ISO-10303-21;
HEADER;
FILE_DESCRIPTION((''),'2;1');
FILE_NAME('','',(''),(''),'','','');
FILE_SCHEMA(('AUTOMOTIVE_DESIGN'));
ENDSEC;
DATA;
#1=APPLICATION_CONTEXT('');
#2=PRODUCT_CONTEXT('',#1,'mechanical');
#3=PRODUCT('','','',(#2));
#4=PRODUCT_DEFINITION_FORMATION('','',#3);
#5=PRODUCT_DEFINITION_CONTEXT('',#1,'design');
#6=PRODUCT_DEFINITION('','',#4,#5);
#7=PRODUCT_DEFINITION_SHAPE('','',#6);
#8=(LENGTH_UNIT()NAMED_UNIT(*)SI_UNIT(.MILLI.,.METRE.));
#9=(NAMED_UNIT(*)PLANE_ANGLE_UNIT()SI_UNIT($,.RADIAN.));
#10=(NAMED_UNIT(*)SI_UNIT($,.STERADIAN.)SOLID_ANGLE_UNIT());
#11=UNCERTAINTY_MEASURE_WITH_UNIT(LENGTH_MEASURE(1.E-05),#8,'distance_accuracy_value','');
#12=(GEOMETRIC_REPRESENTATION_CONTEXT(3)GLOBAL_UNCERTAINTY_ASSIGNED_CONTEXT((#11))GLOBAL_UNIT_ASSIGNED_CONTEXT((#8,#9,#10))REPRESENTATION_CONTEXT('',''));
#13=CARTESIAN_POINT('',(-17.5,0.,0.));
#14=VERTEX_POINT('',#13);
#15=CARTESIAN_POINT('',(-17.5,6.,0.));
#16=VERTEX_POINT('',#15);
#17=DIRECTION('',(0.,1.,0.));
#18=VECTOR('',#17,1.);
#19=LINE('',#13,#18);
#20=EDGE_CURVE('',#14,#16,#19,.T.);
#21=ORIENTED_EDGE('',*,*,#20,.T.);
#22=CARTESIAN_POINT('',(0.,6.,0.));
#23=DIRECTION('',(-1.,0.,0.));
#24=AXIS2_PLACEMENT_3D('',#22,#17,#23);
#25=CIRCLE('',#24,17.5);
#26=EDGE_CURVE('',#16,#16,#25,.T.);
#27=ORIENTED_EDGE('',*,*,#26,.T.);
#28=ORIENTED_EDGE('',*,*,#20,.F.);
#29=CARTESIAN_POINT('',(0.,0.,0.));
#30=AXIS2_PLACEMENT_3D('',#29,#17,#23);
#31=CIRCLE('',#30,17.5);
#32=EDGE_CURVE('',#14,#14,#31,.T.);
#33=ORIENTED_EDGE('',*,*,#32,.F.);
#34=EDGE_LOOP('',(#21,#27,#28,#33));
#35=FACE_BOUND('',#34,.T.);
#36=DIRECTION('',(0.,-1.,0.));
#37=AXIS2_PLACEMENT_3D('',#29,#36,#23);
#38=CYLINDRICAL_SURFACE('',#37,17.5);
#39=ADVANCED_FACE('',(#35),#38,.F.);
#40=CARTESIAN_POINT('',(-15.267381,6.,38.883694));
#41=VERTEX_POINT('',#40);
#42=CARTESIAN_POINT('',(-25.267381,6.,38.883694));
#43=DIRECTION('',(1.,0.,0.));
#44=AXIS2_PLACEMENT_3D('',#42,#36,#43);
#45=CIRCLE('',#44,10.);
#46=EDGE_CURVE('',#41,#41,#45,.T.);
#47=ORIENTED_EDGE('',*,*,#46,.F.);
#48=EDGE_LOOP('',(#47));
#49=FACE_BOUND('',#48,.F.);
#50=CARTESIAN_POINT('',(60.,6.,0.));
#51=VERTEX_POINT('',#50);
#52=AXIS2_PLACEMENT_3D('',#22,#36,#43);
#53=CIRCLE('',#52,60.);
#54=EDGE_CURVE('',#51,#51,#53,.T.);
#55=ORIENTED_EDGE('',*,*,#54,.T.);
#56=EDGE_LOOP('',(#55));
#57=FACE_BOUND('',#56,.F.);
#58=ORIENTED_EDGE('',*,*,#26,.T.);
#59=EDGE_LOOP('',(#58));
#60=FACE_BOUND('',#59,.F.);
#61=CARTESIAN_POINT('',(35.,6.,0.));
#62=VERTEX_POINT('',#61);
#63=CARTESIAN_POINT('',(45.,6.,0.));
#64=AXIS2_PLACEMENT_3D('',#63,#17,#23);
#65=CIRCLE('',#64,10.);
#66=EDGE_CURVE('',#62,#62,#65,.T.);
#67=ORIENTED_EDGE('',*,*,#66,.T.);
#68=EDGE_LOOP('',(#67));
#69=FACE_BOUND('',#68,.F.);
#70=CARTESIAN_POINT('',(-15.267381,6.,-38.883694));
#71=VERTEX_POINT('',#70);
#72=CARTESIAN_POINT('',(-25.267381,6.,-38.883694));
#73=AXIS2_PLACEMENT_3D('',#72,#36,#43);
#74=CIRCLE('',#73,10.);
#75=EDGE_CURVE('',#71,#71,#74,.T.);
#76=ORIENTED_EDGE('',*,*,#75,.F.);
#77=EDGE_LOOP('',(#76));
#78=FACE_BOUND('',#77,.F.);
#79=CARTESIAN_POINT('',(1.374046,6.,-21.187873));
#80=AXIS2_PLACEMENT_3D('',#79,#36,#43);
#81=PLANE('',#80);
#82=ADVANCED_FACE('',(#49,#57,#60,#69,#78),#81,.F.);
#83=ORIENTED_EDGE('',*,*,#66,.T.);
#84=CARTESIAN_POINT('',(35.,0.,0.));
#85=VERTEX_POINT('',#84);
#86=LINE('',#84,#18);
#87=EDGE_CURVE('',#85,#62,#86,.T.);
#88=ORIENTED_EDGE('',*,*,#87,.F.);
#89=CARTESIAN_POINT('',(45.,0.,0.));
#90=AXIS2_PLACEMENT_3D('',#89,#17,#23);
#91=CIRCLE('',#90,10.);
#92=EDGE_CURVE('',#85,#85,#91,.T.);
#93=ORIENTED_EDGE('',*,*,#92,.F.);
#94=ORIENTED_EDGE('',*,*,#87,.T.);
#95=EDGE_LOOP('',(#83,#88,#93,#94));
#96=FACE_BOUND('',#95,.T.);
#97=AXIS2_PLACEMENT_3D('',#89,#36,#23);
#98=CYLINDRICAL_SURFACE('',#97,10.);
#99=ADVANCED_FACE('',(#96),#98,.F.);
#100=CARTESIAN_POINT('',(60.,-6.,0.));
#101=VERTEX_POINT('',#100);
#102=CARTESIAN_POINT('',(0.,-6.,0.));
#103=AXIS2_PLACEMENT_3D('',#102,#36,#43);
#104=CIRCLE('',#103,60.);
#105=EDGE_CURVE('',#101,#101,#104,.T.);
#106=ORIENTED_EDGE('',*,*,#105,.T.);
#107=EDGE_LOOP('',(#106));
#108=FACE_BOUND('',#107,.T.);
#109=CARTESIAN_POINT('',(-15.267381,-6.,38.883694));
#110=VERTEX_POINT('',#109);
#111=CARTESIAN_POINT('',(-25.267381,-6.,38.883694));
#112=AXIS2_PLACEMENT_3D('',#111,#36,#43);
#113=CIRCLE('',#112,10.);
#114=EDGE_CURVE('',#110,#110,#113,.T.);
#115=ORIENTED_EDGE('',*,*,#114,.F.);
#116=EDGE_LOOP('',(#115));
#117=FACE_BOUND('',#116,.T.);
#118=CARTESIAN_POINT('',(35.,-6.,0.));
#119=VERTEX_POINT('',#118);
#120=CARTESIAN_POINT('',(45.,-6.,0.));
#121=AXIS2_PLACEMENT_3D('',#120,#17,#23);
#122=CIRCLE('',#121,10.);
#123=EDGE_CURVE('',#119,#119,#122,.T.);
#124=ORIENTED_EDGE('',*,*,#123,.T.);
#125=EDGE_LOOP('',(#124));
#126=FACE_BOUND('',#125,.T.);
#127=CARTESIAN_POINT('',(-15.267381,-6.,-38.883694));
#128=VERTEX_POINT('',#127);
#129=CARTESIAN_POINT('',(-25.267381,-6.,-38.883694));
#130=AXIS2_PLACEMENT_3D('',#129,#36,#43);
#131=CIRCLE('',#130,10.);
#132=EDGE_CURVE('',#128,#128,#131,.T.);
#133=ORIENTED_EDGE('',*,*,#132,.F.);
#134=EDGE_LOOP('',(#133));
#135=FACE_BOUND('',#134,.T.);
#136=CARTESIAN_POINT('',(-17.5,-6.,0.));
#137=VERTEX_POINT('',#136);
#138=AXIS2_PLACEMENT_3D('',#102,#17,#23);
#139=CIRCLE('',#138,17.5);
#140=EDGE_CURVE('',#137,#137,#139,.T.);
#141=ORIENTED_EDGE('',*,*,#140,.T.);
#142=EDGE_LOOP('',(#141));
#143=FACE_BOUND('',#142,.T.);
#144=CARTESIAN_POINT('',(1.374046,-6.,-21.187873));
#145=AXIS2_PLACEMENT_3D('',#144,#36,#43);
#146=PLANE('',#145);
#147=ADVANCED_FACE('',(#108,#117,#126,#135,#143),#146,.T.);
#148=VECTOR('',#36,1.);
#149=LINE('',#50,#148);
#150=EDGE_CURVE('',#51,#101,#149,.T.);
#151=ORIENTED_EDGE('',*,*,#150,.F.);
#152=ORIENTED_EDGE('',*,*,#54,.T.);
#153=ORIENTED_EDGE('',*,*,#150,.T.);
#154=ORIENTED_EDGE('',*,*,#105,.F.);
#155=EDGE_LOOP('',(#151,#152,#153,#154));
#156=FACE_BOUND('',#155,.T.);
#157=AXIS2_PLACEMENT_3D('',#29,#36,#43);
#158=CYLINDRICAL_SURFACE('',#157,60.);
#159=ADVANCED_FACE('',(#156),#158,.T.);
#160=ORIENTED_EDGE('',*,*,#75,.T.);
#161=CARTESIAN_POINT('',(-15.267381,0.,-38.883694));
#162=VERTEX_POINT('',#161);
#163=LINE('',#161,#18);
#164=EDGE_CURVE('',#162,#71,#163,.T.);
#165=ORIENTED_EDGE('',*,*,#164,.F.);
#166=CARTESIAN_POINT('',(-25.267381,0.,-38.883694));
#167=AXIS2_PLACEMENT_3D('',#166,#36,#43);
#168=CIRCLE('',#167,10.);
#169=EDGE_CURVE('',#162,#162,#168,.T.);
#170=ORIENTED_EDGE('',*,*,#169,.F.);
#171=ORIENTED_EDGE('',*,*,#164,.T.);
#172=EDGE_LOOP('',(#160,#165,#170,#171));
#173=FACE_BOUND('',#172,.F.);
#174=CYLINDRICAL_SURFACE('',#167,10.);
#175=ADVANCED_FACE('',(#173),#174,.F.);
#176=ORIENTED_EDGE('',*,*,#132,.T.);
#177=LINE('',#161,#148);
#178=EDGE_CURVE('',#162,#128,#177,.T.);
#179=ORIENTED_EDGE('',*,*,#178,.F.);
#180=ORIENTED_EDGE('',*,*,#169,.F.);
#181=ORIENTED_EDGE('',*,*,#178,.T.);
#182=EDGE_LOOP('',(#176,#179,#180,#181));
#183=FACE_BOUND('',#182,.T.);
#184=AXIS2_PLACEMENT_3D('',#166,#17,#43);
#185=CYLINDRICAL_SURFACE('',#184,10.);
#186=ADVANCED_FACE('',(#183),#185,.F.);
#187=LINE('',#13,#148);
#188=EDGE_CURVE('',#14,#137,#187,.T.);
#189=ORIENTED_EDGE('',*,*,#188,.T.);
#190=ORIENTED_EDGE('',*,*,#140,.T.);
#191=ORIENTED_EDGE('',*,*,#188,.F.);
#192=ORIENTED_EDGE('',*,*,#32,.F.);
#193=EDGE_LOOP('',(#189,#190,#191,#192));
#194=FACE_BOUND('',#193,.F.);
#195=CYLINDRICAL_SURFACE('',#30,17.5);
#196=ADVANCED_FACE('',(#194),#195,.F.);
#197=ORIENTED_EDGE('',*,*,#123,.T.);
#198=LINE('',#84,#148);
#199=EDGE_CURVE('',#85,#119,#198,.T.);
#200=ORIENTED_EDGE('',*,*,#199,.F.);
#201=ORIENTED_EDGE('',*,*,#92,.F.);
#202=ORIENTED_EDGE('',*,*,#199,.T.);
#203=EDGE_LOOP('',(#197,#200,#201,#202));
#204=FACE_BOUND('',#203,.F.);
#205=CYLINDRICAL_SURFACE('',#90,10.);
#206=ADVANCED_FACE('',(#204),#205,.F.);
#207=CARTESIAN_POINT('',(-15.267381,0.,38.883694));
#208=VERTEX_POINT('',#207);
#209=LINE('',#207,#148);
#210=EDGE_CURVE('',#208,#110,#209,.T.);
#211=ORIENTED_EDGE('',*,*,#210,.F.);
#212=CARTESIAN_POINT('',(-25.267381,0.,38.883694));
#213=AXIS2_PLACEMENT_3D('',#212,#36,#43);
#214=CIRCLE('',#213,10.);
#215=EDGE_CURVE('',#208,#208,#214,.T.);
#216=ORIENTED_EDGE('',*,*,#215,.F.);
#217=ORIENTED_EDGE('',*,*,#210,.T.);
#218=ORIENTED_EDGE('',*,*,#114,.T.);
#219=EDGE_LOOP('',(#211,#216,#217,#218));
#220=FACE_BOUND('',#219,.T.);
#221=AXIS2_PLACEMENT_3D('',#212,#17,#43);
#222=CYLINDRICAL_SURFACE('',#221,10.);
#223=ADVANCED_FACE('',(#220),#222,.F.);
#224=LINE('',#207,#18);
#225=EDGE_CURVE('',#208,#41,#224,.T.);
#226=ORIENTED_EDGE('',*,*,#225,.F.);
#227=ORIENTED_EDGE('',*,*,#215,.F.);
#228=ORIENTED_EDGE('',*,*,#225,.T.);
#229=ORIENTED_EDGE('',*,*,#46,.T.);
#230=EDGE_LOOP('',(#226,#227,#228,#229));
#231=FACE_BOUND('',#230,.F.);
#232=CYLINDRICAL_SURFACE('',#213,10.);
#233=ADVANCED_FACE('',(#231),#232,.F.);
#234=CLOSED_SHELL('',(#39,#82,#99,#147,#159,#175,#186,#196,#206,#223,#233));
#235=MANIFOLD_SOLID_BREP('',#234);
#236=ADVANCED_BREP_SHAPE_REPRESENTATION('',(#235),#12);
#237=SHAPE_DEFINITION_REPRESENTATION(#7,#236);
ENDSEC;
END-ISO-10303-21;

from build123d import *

# Parameters (mm, degrees)
F0_R     = 10
F1_DEPTH = 6


with BuildPart() as f1:
    # F0 (on Front) → F1 (new body, symmetric)
    with BuildSketch(Plane.XZ):
        with BuildLine():
            ThreePointArc((-60, 0), (0, -60), (60, 0))
            Line((60, 0), (55, 0))
            ThreePointArc((55, 0), (45, -10), (35, 0))
            Line((35, 0), (33.2484766841, 0))
            Line((33.2484766841, 0), (23.3858909756, 0))
            Line((23.3858909756, 0), (17.5, 0))
            ThreePointArc((17.5, 0), (0, -17.5), (-17.5, 0))
            Line((-17.5, 0), (-60, 0))
        make_face()
        with Locations((-25.2673812211, -38.8836935163)):
            Circle(F0_R, mode=Mode.SUBTRACT)
        with BuildLine():
            Line((55, 0), (60, 0))
            ThreePointArc((60, 0), (0, 60), (-60, 0))
            Line((-60, 0), (-17.5, 0))
            ThreePointArc((-17.5, 0), (0, 17.5), (17.5, 0))
            Line((17.5, 0), (23.3858909756, 0))
            Line((23.3858909756, 0), (33.2484766841, 0))
            Line((33.2484766841, 0), (35, 0))
            ThreePointArc((35, 0), (45, 10), (55, 0))
        make_face()
        with Locations((-25.2673812211, 38.8836935163)):
            Circle(F0_R, mode=Mode.SUBTRACT)
    extrude(amount=F1_DEPTH, both=True)


solid = f1.part
